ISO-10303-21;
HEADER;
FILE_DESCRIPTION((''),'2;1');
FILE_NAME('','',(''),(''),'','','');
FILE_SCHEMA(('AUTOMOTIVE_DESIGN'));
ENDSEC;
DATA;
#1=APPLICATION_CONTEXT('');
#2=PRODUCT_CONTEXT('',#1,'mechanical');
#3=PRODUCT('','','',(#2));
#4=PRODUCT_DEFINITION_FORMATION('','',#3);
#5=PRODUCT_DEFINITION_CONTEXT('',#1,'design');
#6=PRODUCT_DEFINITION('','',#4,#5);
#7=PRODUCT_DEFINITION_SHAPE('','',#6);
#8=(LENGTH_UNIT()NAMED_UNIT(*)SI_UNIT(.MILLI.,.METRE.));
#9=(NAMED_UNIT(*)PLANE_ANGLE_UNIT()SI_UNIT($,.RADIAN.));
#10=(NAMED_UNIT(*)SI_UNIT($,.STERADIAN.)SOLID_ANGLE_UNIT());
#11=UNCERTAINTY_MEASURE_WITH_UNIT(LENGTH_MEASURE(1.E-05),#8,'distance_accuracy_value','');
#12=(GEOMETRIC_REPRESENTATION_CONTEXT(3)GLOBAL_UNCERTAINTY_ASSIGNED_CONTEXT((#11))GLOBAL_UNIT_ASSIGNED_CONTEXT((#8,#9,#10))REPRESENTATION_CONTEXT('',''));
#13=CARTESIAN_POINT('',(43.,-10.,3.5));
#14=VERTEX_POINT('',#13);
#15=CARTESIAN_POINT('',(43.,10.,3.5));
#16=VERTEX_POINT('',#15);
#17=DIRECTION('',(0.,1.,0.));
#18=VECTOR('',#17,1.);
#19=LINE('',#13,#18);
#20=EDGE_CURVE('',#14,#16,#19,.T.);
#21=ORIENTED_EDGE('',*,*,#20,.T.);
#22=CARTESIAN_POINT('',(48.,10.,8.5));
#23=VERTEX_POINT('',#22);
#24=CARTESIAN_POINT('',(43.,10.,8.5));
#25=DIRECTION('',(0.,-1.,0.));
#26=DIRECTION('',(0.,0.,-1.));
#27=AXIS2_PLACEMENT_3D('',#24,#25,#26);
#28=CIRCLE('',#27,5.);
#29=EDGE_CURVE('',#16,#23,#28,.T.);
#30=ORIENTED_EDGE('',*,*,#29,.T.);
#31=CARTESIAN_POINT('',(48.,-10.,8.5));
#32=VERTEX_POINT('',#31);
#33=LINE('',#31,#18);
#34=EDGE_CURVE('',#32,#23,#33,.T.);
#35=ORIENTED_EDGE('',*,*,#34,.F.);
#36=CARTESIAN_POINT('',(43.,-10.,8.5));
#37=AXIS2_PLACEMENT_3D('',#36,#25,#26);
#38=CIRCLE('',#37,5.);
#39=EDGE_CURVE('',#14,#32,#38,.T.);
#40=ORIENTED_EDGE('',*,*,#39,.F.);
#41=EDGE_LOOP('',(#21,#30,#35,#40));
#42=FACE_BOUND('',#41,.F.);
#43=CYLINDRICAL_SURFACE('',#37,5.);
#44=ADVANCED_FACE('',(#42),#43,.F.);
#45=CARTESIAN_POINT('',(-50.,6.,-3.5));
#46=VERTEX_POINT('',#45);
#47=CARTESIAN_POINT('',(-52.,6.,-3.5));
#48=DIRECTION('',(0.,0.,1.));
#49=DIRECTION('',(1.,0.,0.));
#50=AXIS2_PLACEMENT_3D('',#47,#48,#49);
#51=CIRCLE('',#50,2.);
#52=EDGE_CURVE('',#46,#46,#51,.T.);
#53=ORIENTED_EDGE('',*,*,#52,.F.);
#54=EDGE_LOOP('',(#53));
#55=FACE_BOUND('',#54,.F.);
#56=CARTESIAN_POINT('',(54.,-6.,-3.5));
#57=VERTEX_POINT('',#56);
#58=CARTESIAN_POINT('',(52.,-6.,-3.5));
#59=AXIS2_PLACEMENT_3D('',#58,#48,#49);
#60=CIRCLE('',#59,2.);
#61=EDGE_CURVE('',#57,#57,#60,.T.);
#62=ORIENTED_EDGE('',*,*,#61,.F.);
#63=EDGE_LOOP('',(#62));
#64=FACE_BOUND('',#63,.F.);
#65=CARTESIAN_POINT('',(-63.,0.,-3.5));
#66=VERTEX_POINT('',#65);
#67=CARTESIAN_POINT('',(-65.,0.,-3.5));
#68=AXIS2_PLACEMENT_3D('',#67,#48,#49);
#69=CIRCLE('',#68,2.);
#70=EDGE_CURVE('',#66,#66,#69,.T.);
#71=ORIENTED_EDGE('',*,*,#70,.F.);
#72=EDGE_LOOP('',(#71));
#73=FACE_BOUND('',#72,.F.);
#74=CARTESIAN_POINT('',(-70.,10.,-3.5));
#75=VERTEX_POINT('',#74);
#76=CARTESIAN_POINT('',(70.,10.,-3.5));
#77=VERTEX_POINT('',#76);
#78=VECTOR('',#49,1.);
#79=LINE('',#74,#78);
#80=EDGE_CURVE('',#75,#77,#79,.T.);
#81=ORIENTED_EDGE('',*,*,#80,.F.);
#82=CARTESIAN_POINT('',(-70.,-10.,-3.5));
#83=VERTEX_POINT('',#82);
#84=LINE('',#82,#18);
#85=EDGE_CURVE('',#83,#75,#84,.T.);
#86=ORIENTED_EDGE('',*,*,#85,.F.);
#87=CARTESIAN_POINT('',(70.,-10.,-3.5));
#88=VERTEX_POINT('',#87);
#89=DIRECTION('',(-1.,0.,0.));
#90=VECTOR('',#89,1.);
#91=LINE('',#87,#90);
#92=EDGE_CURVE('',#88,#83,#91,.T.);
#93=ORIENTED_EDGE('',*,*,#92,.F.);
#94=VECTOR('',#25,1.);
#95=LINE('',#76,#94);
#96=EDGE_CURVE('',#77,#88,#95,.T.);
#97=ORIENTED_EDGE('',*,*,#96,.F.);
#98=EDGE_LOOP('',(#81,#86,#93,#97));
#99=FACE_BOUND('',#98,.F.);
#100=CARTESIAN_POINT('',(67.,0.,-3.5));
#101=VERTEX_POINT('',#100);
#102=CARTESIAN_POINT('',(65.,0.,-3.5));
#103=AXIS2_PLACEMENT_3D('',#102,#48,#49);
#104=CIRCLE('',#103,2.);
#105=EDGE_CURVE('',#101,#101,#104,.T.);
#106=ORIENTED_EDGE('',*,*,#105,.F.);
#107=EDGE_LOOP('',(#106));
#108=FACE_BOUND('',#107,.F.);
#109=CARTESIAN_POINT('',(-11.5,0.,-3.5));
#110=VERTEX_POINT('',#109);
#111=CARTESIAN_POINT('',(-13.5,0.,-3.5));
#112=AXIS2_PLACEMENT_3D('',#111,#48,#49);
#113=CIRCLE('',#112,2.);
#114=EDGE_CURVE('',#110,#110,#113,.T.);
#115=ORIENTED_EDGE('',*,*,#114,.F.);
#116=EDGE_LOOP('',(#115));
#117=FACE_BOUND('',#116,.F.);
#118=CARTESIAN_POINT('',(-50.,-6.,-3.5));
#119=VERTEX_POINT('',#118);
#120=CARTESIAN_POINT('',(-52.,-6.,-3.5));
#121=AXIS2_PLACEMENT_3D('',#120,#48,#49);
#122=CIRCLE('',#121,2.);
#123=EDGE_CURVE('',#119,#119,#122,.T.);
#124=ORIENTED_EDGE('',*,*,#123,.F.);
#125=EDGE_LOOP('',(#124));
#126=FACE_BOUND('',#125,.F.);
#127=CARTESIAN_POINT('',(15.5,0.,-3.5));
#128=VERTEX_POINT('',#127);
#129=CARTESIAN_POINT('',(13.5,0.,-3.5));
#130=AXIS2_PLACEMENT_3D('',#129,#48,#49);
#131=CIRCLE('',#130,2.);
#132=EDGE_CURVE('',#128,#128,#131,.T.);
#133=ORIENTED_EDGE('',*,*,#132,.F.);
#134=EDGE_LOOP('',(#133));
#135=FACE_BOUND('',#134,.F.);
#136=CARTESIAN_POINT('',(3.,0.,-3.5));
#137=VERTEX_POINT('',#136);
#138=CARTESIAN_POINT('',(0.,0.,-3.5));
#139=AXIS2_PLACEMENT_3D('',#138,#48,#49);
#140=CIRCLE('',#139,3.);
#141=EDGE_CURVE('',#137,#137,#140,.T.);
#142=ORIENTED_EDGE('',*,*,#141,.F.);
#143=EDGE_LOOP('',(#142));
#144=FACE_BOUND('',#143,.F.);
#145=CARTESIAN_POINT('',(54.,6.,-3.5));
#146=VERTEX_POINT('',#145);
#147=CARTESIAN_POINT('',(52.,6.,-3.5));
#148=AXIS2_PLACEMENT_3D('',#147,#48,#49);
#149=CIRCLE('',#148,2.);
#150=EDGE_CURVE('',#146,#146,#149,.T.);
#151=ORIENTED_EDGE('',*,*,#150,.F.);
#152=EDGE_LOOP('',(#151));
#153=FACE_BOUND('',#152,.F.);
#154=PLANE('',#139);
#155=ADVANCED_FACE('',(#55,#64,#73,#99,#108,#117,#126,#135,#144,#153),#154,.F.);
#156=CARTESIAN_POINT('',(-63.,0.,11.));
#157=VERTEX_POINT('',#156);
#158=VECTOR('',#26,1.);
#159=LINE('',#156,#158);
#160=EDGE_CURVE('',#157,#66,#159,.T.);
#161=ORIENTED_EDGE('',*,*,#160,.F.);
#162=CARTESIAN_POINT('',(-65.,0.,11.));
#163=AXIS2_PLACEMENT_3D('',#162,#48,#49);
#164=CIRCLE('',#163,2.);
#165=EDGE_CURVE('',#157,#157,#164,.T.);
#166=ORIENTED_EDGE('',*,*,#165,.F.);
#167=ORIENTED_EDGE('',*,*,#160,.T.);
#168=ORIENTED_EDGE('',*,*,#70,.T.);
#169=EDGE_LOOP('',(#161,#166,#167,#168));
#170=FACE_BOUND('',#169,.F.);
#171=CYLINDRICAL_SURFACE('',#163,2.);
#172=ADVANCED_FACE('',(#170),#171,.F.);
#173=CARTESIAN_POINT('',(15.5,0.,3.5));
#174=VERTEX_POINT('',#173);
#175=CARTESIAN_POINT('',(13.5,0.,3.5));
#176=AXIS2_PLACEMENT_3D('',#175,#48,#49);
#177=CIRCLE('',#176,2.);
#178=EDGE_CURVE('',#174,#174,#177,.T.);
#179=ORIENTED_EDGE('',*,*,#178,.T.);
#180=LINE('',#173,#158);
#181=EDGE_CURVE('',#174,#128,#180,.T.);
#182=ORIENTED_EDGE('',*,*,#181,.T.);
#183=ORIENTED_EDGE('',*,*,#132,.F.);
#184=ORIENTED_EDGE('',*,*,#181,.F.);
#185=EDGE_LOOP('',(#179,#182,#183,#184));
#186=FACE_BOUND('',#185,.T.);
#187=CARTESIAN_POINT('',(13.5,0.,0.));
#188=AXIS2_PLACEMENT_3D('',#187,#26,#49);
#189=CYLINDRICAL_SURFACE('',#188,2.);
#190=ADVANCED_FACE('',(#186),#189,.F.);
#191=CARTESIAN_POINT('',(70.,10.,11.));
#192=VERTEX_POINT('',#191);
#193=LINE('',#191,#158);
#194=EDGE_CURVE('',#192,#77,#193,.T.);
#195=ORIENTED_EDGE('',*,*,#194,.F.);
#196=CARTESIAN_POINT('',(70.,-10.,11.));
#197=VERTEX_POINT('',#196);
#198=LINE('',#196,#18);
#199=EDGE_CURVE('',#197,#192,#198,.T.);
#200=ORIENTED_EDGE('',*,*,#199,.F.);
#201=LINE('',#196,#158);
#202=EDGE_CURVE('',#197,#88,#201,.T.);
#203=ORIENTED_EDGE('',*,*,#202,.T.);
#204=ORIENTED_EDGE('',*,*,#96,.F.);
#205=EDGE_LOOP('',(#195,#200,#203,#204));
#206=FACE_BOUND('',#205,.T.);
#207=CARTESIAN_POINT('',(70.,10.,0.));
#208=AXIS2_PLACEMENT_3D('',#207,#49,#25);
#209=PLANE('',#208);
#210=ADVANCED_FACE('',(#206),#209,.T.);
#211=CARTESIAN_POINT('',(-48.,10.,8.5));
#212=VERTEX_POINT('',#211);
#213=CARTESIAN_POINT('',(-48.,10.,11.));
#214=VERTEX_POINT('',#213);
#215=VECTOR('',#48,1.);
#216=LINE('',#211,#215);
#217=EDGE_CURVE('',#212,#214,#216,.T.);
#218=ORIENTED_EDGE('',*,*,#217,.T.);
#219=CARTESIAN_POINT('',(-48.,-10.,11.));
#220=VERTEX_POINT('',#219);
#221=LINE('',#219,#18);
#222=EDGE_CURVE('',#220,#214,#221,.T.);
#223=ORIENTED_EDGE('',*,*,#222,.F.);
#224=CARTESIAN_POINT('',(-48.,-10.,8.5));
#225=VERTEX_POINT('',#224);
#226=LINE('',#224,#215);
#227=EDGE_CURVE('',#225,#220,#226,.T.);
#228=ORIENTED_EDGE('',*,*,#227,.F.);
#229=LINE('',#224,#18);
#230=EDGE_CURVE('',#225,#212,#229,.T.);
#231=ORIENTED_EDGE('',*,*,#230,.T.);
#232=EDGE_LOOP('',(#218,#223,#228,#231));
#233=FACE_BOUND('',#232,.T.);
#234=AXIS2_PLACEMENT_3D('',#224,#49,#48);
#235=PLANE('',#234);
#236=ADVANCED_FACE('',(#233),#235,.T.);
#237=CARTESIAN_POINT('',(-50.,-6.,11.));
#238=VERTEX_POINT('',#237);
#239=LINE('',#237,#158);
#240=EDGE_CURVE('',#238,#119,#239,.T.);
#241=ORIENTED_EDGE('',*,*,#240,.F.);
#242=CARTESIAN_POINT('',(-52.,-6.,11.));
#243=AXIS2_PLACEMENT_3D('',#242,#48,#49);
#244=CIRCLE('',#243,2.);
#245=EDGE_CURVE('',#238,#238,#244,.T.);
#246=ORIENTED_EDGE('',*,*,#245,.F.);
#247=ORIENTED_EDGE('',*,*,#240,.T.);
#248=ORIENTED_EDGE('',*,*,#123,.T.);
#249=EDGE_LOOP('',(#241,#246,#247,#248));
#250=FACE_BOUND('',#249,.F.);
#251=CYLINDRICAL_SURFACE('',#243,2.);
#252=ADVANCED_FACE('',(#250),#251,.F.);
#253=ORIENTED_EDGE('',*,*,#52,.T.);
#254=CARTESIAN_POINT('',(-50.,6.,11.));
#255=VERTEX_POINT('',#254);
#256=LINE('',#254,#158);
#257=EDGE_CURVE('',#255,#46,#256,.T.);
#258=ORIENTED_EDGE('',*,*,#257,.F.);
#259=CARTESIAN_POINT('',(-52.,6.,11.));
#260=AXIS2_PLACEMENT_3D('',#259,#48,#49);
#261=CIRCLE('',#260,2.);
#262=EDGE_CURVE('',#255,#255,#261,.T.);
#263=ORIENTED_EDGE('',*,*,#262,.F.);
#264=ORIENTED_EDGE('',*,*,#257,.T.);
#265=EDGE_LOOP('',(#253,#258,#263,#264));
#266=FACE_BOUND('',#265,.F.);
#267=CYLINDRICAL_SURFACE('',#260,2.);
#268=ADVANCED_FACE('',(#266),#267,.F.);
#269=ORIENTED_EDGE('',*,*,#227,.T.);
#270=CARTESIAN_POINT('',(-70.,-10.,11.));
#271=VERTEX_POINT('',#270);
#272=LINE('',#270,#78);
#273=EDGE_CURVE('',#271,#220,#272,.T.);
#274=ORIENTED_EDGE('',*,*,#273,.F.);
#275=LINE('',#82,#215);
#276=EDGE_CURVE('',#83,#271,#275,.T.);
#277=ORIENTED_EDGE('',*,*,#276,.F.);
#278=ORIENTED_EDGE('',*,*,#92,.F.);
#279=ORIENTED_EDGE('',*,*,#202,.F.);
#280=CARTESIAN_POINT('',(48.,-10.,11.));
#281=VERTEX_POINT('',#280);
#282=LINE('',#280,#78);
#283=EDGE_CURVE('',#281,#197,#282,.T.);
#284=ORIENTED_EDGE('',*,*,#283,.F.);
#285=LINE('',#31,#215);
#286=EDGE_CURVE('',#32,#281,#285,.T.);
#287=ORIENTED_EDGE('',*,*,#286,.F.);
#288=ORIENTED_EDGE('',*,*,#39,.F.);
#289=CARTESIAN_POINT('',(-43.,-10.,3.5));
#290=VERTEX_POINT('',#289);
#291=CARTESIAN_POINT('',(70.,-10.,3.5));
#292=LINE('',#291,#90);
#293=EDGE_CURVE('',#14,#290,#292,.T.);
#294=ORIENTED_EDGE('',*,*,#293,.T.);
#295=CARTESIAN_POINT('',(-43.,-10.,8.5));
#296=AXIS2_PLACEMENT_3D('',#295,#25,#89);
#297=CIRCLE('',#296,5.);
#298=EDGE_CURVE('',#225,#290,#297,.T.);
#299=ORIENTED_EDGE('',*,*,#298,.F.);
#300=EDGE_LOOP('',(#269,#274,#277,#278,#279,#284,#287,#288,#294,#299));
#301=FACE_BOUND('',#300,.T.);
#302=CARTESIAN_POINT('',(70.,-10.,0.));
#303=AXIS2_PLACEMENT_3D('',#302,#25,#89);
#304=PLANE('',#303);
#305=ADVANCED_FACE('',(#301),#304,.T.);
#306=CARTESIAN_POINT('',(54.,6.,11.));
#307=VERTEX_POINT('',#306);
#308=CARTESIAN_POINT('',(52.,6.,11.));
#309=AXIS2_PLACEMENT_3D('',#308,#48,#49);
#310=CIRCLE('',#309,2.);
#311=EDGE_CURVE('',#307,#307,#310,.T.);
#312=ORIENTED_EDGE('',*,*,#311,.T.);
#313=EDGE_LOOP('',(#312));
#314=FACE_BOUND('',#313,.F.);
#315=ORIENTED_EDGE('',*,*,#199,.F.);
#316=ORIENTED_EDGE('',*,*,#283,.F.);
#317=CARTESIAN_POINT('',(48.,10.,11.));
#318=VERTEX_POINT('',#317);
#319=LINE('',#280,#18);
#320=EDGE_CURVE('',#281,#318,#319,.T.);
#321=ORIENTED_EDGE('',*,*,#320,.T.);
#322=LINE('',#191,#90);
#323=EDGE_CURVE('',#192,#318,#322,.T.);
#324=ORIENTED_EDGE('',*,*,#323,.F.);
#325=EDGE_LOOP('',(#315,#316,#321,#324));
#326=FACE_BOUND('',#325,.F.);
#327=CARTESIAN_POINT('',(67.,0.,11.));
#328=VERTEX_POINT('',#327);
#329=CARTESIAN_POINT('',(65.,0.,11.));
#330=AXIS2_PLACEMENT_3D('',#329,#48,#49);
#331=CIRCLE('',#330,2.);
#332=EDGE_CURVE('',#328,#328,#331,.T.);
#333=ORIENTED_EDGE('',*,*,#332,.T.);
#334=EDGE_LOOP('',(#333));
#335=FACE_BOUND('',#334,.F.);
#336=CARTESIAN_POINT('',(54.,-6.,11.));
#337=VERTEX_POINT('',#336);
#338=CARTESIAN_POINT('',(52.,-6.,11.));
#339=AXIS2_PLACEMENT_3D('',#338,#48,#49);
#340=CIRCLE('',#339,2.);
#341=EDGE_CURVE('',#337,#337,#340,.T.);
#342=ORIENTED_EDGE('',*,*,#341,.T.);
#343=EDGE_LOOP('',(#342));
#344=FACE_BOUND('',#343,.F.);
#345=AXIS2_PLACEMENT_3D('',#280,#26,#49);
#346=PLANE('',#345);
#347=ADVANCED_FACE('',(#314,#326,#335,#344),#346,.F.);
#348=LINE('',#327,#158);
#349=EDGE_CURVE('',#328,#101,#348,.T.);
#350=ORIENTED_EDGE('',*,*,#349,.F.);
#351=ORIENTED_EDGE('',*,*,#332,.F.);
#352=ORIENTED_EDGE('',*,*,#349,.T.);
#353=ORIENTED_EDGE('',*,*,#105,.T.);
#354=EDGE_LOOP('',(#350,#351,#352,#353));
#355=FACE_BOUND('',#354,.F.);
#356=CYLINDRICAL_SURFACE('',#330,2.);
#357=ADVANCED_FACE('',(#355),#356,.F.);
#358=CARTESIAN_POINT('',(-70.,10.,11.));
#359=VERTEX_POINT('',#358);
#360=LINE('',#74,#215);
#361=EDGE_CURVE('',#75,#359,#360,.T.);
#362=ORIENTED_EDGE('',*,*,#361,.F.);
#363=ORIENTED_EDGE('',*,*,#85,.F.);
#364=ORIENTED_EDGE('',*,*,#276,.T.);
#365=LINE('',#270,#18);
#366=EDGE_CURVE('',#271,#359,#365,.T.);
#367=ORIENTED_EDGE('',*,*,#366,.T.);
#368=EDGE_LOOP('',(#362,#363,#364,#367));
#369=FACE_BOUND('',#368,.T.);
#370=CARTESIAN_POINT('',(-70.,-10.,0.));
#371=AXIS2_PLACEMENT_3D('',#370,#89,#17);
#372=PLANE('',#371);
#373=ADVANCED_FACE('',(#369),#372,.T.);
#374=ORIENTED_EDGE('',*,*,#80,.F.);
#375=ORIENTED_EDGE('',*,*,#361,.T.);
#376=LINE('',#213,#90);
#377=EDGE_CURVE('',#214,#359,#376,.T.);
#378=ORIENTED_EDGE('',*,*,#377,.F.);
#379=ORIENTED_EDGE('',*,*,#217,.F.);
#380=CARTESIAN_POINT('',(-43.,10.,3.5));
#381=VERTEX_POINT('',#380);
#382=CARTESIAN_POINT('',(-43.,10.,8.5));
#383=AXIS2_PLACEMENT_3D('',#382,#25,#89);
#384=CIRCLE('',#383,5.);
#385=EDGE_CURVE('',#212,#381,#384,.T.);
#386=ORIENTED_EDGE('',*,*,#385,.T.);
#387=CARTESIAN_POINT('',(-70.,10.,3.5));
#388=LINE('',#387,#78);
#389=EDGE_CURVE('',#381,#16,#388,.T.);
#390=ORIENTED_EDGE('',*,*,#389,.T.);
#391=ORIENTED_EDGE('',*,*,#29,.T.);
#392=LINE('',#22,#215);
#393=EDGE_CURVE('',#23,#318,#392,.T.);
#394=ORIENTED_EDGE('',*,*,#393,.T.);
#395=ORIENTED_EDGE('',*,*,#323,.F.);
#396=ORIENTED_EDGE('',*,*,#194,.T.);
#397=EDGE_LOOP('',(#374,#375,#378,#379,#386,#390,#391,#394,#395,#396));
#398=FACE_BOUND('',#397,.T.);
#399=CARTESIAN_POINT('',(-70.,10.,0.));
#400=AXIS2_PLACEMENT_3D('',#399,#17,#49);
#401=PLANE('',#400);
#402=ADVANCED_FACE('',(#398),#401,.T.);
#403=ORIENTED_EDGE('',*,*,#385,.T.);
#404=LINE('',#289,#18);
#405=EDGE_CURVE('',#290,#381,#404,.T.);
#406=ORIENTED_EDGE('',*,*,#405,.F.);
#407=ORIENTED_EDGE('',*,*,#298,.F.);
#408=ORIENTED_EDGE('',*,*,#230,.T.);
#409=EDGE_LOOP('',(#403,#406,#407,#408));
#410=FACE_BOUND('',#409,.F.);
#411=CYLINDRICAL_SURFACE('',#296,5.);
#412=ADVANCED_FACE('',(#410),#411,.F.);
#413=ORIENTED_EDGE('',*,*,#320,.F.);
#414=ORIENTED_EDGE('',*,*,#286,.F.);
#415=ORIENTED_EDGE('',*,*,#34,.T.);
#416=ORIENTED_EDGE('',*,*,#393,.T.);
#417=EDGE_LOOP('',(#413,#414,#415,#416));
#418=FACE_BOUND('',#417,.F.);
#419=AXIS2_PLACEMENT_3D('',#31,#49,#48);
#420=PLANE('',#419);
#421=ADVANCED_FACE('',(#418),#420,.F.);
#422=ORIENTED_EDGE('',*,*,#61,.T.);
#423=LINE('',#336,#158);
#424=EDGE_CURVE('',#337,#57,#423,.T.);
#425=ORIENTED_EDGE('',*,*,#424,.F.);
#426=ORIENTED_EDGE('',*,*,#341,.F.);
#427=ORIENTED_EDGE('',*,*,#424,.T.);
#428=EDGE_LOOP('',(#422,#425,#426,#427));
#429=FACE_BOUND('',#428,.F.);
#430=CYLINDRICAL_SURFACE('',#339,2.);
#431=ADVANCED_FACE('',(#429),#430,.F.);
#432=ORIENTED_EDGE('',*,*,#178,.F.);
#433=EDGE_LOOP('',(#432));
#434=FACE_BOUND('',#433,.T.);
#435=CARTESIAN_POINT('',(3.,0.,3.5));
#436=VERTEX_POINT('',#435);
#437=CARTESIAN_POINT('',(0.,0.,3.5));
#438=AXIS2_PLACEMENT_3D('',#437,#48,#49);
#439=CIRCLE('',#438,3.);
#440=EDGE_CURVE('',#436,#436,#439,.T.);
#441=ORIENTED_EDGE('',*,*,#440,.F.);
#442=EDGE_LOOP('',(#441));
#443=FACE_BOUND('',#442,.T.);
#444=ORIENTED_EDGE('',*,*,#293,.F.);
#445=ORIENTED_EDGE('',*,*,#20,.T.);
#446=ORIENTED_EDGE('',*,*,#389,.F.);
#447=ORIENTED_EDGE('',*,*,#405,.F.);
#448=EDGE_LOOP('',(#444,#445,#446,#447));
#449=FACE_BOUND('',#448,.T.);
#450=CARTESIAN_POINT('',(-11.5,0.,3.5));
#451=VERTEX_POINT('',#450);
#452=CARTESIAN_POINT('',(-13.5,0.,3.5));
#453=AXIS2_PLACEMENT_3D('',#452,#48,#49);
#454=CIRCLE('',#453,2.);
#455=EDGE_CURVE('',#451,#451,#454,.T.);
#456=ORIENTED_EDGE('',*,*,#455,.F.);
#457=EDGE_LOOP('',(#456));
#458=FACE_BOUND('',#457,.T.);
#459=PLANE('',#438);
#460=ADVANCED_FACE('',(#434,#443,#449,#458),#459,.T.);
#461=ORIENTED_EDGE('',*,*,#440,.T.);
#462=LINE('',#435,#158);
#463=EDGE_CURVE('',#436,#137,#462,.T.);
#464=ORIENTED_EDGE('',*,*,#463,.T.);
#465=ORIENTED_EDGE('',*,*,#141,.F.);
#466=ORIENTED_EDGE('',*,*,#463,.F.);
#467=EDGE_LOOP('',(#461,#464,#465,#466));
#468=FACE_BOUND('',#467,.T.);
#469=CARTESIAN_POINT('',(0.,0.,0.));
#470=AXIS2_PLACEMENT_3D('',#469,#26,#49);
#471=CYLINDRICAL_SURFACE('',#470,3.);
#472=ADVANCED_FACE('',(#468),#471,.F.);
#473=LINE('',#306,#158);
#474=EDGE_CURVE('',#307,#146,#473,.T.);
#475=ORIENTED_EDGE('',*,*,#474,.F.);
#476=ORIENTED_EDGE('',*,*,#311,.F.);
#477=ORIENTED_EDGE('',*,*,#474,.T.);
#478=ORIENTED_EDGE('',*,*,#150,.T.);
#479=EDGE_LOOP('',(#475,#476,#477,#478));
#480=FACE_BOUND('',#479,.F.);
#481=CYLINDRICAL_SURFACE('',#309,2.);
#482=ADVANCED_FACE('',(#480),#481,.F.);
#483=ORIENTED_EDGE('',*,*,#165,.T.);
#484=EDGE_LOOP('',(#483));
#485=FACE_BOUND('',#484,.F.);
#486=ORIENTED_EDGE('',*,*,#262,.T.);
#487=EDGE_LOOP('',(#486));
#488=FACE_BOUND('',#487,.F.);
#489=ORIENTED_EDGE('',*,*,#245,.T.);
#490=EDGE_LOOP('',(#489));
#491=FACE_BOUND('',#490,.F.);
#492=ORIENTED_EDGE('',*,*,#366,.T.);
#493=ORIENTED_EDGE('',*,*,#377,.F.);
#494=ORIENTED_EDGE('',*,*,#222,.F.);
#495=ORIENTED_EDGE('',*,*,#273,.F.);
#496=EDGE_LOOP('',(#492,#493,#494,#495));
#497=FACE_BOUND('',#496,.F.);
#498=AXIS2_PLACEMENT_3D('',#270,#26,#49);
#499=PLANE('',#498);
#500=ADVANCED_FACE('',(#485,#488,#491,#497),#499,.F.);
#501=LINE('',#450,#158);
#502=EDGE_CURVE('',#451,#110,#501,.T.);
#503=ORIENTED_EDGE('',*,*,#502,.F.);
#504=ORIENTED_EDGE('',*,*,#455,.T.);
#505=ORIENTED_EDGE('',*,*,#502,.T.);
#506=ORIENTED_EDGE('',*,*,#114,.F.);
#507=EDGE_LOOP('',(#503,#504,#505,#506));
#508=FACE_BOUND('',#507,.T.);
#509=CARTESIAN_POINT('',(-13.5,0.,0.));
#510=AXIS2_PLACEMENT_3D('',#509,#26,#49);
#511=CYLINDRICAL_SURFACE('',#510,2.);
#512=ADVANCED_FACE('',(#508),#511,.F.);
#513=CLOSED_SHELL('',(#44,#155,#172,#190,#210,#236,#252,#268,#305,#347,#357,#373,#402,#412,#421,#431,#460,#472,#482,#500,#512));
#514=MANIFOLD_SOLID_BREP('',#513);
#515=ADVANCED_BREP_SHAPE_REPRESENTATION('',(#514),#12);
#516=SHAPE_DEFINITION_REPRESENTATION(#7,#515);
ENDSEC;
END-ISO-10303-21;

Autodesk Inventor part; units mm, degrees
ref_plane "YZ Plane" through (0, 0, 0) normal (1, 0, 0) x (0, 1, 0)
ref_plane "XZ Plane" through (0, 0, 0) normal (0, 1, 0) x (-1, 0, 0)
ref_plane "XY Plane" through (0, 0, 0) normal (0, 0, 1) x (1, 0, 0)
sketch "Sketch1" plane through (0, 0, 0) normal (0, 0, 1) x (1, 0, 0)
  line L0 (-70, 10) -> (70, 10)
  line L1 (70, 10) -> (70, -10)
  line L2 (70, -10) -> (-70, -10)
  line L3 (-70, -10) -> (-70, 10)
  line L4 (-70, 10) -> (70, -10) construction
  line L5 (70, 10) -> (-70, -10) construction
  line L6 (0, 0) -> (-13.5, 0) construction
  line L7 (-13.5, 0) -> (13.5, 0) construction
  circle A0 centre (-13.5, 0) radius 2
  circle A1 centre (13.5, 0) radius 2
  circle A2 centre (0, 0) radius 3
  dimension "d0" = 140
  dimension "d1" = 20
  dimension "d2" = 13.5
  dimension "d3" = 27
  dimension "d4" = 4
  dimension "d5" = 4
  dimension "d6" = 6
extrude "Extrusion1" add sketch "Sketch1" along normal mid plane 7
sketch "Sketch2" plane through (-70, -10, 3.5) normal (0, -1, 0) x (1, 0, 0)
  line L0 (70, -3.5) -> (30, -3.5) construction
  line L1 (30, -3.5) -> (110, -3.5) construction
  line L2 (0, 0) -> (140, 0) projected
  line L3 (22, 5) -> (22, 7.5)
  line L4 (22, 7.5) -> (2, 7.5)
  line L5 (0, 5.5) -> (0, 0)
  line L6 (0, 0) -> (22, 0)
  line L7 (70, -9.525) -> (70, 0) construction
  line L8 (27, 0) -> (140, 0)
  arc A0 (22, 5) -> (27, 0) centre (27, 5) ccw
  line L9 (27, 0) -> (22, 0)
  line L10 (140, 0) -> (0, 0)
  line L11 (118, 5) -> (118, 7.5)
  line L12 (118, 7.5) -> (138, 7.5)
  line L13 (140, 5.5) -> (140, 0)
  arc A1 (113, 0) -> (118, 5) centre (113, 5) ccw
  line L14 (140, 5.5) -> (140, 7.5)
  line L15 (140, 7.5) -> (138, 7.5)
  line L16 (0, 5.5) -> (0, 7.5)
  line L17 (0, 7.5) -> (2, 7.5)
  point P0 (113, 0)
  dimension "d13" = 40
  dimension "d14" = 80
  dimension "d15" = 7.5
  dimension "d16" = 5
extrude "Extrusion2" add sketch "Sketch2" against normal blind 20
sketch "Sketch3" plane through (48, -10, 11) normal (0, 0, 1) x (1, 0, 0)
  line L0 (-48, 10) -> (12, 10) construction
  line L1 (12, 10) -> (17, 10) construction
  circle A0 centre (17, 10) radius 2
  line L2 (12, 10) -> (4, 10) construction
  line L3 (4, 10) -> (4, 4) construction
  line L4 (4, 4) -> (4, 16) construction
  circle A1 centre (4, 4) radius 2
  circle A2 centre (4, 16) radius 2
  line L5 (-48, 10) -> (-48, 19.9246) construction
  circle A3 centre (-113, 10) radius 2
  circle A4 centre (-100, 4) radius 2
  circle A5 centre (-100, 16) radius 2
  dimension "d20" = 60
  dimension "d21" = 5
  dimension "d22" = 4
  dimension "d23" = 8
  dimension "d24" = 6
  dimension "d25" = 12
  dimension "d26" = 4
  dimension "d27" = 4
extrude "Extrusion3" cut sketch "Sketch3" against normal blind 17.5
equation "\"BendRadius\" = Thickness"
equation "\"BendReliefWidth\" = Thickness"
equation "\"BendReliefDepth\" = 0.5 * Thickness"
equation "\"CornerReliefSize\" = 4 * Thickness"
equation "\"MinimumRemnant\" = 2 * Thickness"
equation "\"TransitionRadius\" = BendRadius"
equation "\"JacobiRadiusSize\" = BendRadius"
equation "\"GapSize\" = Thickness"
equation "\"Thickness\" = 3.048"
properties part number "Uchwyt na ramę" material "Steel"
